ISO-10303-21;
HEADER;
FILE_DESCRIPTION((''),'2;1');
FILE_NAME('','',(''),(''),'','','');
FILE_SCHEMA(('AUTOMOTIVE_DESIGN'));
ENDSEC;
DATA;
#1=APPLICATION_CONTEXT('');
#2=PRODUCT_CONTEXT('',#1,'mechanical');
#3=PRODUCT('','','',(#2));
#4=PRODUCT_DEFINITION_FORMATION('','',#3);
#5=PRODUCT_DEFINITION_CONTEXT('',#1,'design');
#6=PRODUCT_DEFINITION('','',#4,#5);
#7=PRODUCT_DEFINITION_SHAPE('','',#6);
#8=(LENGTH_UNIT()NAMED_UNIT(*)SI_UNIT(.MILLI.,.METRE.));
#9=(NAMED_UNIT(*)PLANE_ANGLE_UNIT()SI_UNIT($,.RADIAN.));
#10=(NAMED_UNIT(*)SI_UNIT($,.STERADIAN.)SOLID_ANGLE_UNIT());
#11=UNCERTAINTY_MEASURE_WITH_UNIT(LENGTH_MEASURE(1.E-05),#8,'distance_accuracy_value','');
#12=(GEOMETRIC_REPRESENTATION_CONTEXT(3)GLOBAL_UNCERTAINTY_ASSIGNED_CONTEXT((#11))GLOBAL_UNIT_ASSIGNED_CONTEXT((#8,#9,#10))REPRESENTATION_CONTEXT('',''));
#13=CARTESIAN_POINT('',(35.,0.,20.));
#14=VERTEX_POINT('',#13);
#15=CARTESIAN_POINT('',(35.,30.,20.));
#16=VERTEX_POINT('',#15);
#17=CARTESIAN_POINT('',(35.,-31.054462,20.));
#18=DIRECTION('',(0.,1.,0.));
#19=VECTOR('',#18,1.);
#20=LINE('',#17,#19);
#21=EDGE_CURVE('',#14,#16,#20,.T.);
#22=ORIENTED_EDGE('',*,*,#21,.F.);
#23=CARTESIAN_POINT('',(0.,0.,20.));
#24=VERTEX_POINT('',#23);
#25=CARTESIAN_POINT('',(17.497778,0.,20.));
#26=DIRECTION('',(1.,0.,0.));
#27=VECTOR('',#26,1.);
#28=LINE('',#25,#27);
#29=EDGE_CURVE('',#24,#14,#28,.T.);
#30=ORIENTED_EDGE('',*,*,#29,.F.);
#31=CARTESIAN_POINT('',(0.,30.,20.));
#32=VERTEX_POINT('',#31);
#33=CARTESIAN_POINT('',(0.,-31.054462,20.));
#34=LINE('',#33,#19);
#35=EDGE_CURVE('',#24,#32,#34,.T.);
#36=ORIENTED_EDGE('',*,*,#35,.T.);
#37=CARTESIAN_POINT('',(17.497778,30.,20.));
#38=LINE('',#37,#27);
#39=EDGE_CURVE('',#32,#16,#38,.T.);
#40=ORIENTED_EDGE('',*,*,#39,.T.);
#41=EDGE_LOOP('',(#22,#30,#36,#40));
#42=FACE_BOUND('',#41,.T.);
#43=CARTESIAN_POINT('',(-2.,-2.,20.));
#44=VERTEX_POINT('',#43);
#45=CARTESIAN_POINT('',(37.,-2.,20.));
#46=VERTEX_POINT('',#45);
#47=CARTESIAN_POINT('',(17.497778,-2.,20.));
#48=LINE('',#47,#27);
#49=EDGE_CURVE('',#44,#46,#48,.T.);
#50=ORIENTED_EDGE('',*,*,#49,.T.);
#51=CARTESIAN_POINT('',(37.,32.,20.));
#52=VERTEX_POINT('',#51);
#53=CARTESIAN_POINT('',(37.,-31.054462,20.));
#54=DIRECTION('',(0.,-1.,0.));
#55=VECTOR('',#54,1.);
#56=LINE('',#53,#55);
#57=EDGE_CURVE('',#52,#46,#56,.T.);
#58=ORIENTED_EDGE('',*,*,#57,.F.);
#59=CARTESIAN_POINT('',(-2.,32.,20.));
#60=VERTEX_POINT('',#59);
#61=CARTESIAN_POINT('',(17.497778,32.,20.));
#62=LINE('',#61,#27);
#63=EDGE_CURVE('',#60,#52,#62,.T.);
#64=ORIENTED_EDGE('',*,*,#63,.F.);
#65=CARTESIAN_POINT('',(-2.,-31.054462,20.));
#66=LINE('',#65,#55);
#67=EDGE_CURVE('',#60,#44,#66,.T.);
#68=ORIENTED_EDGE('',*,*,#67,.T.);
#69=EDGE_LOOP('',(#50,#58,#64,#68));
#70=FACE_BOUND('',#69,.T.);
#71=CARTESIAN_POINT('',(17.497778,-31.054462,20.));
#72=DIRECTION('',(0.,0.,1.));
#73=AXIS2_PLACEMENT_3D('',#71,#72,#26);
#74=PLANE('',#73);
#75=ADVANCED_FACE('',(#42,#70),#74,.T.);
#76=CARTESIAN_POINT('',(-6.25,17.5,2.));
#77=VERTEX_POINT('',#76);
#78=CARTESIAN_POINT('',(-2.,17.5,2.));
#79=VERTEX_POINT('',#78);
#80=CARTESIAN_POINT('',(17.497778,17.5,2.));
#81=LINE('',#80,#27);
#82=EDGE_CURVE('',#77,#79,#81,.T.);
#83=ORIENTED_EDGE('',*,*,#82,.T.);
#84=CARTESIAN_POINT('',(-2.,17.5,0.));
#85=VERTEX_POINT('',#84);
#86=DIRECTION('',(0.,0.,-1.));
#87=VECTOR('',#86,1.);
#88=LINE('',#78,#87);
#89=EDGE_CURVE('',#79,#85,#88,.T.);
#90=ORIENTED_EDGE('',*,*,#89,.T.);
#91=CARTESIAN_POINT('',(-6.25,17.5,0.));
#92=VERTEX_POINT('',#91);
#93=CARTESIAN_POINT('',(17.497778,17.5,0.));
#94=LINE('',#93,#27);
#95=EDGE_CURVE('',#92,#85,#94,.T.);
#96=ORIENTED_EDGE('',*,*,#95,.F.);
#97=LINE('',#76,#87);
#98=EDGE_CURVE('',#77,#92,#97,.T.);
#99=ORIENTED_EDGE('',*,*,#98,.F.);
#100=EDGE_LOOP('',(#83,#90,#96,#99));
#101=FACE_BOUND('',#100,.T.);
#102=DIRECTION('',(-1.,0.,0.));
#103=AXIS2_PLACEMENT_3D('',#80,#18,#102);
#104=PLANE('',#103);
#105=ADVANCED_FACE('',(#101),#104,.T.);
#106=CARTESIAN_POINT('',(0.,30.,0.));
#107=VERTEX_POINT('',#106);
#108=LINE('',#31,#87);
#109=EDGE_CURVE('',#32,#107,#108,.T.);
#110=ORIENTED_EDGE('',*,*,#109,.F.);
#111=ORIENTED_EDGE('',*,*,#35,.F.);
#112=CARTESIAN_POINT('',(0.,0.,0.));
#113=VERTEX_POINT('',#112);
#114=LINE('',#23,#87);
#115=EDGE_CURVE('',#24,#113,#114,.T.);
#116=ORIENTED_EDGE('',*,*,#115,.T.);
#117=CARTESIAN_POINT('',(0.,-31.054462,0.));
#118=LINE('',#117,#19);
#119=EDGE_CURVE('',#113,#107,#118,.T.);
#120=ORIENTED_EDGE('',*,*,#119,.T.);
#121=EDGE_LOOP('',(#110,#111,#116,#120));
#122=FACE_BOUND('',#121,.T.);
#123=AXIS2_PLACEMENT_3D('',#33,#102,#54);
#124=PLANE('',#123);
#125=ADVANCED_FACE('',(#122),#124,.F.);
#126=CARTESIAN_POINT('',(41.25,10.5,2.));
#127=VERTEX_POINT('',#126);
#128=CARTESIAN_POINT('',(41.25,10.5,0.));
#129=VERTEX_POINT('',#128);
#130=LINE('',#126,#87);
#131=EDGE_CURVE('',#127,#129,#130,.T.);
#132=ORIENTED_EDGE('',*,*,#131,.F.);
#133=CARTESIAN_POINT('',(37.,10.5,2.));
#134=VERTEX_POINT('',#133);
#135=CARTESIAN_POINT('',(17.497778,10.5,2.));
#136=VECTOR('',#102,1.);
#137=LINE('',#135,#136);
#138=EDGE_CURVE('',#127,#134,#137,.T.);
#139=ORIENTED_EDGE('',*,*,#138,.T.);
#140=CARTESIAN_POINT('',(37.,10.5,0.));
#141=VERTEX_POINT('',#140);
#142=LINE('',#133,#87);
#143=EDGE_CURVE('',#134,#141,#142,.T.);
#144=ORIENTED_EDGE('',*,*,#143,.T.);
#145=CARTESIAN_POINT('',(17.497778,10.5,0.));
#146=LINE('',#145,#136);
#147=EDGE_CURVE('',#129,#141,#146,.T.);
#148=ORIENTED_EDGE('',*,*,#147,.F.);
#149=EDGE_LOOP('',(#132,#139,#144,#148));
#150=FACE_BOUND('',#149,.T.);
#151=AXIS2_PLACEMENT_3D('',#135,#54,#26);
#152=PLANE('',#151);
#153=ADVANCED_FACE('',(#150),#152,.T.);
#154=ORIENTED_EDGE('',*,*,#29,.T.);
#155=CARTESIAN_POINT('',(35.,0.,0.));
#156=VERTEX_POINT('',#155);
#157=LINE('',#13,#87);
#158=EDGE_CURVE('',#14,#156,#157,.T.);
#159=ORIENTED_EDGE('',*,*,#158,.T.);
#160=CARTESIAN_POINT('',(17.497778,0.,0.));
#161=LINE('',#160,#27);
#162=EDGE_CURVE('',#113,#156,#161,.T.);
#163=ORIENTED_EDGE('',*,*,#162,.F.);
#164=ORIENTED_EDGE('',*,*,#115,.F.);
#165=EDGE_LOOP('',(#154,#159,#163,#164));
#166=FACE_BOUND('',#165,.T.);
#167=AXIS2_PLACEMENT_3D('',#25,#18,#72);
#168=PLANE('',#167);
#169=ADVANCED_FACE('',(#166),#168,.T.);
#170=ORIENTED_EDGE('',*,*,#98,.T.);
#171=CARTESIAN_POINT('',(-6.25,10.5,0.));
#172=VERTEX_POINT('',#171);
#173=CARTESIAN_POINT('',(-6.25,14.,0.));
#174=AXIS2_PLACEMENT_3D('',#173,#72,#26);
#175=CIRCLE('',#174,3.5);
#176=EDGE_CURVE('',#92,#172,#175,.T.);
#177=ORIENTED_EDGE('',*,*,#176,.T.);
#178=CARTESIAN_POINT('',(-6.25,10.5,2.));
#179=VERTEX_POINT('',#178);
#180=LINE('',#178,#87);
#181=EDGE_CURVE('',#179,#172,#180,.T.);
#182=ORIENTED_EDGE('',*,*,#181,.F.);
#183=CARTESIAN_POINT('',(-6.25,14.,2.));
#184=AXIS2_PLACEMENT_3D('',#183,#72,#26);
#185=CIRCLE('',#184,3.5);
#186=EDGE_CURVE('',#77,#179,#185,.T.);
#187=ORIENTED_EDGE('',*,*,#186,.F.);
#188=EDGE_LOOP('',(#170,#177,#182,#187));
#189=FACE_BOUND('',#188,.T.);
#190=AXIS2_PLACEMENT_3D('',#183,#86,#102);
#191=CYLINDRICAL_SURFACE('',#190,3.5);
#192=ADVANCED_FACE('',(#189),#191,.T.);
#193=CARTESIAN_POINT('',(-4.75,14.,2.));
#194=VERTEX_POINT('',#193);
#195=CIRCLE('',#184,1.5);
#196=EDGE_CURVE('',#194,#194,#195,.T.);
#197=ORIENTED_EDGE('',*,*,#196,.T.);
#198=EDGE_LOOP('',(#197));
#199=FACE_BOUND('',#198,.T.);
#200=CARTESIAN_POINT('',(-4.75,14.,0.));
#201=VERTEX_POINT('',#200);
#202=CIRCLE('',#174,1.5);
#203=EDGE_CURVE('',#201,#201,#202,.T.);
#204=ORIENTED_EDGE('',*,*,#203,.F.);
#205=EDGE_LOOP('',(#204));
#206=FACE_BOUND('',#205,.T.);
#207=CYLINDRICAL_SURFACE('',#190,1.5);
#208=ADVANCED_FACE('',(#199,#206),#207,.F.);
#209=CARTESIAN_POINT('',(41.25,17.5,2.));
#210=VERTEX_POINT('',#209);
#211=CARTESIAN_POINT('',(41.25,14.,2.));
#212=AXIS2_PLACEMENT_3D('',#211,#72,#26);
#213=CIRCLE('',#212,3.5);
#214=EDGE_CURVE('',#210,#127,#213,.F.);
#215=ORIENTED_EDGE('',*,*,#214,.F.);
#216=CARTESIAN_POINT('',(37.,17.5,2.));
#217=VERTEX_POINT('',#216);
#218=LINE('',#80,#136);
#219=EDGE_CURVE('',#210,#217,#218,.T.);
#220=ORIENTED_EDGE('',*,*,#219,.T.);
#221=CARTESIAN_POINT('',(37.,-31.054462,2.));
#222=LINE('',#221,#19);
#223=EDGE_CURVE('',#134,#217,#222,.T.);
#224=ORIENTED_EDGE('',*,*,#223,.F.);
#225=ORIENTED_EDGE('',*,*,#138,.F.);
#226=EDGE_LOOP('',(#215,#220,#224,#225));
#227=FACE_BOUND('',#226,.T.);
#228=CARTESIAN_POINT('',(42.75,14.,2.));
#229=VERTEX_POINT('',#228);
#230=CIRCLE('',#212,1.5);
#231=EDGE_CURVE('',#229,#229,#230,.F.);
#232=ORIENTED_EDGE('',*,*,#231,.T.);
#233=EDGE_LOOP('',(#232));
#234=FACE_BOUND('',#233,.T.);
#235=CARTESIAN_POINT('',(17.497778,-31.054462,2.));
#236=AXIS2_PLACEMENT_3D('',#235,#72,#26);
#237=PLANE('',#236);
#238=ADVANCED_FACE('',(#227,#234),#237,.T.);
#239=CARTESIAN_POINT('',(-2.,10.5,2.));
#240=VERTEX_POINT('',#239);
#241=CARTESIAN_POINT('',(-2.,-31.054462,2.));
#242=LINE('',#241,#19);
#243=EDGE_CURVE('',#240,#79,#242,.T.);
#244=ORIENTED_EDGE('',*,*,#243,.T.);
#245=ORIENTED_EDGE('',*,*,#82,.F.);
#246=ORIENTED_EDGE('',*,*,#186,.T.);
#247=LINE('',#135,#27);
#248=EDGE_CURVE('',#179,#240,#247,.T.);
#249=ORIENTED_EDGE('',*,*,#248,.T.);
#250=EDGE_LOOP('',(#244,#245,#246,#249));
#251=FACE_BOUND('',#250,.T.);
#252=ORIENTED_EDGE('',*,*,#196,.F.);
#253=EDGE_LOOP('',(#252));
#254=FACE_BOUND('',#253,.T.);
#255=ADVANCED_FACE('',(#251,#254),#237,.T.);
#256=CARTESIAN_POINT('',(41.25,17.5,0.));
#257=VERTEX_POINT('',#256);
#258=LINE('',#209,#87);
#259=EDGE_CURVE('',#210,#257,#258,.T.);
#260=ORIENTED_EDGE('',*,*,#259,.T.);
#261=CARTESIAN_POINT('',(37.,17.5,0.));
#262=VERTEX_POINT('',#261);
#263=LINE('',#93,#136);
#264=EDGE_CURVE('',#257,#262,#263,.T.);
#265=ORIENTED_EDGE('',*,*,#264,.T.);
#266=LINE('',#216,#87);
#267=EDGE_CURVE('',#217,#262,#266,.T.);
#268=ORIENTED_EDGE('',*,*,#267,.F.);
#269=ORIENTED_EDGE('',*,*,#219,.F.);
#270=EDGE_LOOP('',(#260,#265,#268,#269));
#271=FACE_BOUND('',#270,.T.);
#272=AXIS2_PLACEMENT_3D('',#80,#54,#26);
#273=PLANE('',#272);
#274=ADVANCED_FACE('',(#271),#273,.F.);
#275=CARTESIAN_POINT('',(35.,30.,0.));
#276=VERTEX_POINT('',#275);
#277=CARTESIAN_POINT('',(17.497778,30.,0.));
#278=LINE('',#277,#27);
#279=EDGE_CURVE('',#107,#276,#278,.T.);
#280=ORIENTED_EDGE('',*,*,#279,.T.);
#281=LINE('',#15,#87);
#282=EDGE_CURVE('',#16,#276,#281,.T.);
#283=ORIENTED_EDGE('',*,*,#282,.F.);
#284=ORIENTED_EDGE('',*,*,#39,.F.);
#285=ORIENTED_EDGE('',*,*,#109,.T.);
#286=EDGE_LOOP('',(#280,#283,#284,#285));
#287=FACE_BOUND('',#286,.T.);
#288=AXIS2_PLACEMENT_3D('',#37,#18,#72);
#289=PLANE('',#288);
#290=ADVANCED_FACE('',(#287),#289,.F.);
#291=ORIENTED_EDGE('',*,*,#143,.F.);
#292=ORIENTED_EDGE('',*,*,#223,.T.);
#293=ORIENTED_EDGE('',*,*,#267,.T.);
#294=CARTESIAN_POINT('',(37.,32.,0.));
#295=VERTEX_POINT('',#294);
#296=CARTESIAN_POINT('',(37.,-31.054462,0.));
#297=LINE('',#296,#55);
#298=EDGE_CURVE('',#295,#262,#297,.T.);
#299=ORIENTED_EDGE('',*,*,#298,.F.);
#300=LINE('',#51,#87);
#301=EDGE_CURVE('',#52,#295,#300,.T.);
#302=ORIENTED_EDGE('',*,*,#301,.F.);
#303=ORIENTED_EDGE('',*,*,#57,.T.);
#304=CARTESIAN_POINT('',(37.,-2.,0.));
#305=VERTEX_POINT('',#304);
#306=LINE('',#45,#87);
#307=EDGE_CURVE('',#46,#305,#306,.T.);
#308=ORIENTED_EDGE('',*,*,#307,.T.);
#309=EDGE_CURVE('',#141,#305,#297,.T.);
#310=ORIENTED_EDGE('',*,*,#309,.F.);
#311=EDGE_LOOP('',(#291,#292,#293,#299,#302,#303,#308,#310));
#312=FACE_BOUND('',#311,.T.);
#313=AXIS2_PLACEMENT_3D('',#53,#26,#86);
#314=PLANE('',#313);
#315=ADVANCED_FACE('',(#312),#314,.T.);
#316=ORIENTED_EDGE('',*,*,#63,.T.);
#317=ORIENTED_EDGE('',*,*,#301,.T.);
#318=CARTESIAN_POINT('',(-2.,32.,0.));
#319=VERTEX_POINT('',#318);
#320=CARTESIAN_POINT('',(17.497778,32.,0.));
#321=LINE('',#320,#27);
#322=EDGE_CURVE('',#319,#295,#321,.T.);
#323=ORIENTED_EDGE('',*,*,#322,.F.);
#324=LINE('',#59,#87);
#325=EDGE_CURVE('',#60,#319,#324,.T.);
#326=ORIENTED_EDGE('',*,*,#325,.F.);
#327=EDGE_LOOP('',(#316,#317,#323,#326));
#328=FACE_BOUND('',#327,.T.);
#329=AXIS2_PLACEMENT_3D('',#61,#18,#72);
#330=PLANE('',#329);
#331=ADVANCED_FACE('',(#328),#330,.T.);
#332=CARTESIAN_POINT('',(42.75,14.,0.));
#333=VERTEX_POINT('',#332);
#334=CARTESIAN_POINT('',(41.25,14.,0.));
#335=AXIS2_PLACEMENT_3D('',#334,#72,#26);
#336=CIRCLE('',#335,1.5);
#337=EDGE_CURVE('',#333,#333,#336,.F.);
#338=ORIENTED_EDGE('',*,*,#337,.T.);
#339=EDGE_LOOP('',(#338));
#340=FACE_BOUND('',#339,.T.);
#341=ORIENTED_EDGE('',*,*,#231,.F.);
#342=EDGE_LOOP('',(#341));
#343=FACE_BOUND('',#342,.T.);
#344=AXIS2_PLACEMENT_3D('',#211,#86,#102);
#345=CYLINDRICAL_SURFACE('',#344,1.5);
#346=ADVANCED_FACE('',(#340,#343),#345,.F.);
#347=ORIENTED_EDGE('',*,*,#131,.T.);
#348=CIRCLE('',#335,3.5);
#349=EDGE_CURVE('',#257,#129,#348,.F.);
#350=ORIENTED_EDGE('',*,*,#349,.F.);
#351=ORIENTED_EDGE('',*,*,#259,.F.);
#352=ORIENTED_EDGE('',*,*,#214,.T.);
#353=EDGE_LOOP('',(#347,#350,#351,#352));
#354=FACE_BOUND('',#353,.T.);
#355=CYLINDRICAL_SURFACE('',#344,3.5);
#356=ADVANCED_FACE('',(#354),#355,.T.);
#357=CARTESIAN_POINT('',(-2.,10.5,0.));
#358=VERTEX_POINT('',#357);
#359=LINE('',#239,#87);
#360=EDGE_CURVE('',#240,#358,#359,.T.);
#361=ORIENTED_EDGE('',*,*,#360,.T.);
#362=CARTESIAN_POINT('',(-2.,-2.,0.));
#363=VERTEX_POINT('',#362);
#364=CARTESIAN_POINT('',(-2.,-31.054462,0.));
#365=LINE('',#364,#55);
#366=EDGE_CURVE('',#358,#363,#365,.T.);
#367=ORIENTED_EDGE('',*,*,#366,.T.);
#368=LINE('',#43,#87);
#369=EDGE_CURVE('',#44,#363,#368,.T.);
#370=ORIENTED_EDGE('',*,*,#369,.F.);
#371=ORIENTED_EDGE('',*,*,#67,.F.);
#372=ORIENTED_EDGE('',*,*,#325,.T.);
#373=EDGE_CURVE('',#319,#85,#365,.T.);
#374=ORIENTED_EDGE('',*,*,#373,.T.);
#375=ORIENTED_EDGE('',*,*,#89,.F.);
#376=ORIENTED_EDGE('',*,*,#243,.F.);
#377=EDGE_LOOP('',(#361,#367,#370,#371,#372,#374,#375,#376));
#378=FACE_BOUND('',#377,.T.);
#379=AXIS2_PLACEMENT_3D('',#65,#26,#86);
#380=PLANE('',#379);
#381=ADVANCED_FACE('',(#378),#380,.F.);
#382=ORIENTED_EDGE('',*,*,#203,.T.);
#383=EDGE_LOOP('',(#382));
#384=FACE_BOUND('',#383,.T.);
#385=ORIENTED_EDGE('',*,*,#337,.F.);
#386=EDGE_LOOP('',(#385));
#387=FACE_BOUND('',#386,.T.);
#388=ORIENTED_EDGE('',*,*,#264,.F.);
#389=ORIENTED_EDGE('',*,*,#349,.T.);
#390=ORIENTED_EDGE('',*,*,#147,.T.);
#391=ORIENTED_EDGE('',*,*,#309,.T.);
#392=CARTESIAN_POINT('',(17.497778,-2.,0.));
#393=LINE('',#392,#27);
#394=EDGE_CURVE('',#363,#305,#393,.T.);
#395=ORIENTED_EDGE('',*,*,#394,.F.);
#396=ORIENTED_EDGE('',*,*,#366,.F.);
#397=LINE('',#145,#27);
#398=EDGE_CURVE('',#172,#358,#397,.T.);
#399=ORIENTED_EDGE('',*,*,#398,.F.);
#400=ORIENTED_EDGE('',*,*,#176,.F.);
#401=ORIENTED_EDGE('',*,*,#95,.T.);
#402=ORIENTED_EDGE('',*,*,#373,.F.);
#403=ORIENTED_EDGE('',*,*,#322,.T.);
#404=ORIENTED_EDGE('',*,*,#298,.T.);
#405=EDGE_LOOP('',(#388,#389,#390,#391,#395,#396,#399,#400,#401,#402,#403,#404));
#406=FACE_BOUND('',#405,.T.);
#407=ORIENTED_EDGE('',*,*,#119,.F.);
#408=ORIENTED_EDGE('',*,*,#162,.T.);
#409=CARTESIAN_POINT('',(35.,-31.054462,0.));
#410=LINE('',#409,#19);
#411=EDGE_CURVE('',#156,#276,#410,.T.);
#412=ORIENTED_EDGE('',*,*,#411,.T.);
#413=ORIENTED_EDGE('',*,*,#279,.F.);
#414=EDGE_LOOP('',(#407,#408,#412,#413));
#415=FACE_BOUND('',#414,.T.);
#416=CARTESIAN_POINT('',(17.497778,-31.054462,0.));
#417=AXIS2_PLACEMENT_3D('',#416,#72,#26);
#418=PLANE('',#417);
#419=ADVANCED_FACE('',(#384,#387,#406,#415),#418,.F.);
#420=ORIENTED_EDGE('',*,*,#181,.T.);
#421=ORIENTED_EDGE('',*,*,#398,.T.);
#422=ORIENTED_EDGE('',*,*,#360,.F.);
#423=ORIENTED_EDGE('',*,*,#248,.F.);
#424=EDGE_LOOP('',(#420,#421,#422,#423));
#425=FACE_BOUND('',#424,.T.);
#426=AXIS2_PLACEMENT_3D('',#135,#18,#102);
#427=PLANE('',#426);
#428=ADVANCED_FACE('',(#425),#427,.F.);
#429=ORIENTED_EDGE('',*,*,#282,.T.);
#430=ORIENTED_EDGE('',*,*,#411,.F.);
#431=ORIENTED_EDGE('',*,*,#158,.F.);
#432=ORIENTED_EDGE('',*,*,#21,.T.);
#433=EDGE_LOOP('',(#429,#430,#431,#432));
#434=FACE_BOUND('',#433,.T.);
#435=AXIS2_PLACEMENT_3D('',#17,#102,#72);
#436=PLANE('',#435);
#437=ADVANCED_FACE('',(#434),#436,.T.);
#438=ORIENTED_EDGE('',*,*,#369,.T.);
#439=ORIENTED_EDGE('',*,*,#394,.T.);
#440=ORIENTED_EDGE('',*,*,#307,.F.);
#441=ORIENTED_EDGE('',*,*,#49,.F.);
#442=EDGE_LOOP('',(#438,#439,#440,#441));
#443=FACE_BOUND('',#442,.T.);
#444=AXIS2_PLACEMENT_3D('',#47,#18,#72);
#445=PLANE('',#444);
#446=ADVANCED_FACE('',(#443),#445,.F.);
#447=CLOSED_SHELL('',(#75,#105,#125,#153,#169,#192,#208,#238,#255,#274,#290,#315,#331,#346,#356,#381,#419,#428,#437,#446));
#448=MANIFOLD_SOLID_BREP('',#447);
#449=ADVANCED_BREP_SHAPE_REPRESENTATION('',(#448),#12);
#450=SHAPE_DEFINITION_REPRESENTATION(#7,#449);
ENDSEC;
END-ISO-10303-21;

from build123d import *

# Parameters (mm, degrees)
SKETCH1_W           = 35
SKETCH1_H           = 30
BOSS_EXTRUDE1_DEPTH = 20
SKETCH1_3_R         = 1.5
BOSS_EXTRUDE2_DEPTH = 2


with BuildPart() as part:
    # Sketch1 → Boss-Extrude1 (new body)
    with BuildSketch(Plane.XY):
        Polygon((37, 32), (-2, 32), (-2, 17.5), (-2, 10.5), (-2, -2), (37, -2), (37, 10.5), (37, 17.5), align=None)
        with Locations((17.5, 15)):
            Rectangle(SKETCH1_W, SKETCH1_H, mode=Mode.SUBTRACT)
    extrude(amount=BOSS_EXTRUDE1_DEPTH)

    # Sketch1<3> → Boss-Extrude2 (add)
    # profile 1 of 2: a face of its own
    with BuildSketch(Plane.XY):
        with BuildLine():
            Line((-2, 10.5), (-2, 17.5))
            Line((-2, 17.5), (-6.25, 17.5))
            ThreePointArc((-6.25, 17.5), (-9.75, 14), (-6.25, 10.5))
            Line((-6.25, 10.5), (-2, 10.5))
        make_face()
        with Locations((-6.25, 14)):
            Circle(SKETCH1_3_R, mode=Mode.SUBTRACT)
    # profile 2 of 2: a face of its own
    with BuildSketch(Plane.XY):
        with BuildLine():
            Line((41.25, 17.5), (37, 17.5))
            Line((37, 17.5), (37, 10.5))
            Line((37, 10.5), (41.25, 10.5))
            ThreePointArc((41.25, 10.5), (44.75, 14), (41.25, 17.5))
        make_face()
        with Locations((41.25, 14)):
            Circle(SKETCH1_3_R, mode=Mode.SUBTRACT)
    extrude(amount=BOSS_EXTRUDE2_DEPTH)


solid = part.part
